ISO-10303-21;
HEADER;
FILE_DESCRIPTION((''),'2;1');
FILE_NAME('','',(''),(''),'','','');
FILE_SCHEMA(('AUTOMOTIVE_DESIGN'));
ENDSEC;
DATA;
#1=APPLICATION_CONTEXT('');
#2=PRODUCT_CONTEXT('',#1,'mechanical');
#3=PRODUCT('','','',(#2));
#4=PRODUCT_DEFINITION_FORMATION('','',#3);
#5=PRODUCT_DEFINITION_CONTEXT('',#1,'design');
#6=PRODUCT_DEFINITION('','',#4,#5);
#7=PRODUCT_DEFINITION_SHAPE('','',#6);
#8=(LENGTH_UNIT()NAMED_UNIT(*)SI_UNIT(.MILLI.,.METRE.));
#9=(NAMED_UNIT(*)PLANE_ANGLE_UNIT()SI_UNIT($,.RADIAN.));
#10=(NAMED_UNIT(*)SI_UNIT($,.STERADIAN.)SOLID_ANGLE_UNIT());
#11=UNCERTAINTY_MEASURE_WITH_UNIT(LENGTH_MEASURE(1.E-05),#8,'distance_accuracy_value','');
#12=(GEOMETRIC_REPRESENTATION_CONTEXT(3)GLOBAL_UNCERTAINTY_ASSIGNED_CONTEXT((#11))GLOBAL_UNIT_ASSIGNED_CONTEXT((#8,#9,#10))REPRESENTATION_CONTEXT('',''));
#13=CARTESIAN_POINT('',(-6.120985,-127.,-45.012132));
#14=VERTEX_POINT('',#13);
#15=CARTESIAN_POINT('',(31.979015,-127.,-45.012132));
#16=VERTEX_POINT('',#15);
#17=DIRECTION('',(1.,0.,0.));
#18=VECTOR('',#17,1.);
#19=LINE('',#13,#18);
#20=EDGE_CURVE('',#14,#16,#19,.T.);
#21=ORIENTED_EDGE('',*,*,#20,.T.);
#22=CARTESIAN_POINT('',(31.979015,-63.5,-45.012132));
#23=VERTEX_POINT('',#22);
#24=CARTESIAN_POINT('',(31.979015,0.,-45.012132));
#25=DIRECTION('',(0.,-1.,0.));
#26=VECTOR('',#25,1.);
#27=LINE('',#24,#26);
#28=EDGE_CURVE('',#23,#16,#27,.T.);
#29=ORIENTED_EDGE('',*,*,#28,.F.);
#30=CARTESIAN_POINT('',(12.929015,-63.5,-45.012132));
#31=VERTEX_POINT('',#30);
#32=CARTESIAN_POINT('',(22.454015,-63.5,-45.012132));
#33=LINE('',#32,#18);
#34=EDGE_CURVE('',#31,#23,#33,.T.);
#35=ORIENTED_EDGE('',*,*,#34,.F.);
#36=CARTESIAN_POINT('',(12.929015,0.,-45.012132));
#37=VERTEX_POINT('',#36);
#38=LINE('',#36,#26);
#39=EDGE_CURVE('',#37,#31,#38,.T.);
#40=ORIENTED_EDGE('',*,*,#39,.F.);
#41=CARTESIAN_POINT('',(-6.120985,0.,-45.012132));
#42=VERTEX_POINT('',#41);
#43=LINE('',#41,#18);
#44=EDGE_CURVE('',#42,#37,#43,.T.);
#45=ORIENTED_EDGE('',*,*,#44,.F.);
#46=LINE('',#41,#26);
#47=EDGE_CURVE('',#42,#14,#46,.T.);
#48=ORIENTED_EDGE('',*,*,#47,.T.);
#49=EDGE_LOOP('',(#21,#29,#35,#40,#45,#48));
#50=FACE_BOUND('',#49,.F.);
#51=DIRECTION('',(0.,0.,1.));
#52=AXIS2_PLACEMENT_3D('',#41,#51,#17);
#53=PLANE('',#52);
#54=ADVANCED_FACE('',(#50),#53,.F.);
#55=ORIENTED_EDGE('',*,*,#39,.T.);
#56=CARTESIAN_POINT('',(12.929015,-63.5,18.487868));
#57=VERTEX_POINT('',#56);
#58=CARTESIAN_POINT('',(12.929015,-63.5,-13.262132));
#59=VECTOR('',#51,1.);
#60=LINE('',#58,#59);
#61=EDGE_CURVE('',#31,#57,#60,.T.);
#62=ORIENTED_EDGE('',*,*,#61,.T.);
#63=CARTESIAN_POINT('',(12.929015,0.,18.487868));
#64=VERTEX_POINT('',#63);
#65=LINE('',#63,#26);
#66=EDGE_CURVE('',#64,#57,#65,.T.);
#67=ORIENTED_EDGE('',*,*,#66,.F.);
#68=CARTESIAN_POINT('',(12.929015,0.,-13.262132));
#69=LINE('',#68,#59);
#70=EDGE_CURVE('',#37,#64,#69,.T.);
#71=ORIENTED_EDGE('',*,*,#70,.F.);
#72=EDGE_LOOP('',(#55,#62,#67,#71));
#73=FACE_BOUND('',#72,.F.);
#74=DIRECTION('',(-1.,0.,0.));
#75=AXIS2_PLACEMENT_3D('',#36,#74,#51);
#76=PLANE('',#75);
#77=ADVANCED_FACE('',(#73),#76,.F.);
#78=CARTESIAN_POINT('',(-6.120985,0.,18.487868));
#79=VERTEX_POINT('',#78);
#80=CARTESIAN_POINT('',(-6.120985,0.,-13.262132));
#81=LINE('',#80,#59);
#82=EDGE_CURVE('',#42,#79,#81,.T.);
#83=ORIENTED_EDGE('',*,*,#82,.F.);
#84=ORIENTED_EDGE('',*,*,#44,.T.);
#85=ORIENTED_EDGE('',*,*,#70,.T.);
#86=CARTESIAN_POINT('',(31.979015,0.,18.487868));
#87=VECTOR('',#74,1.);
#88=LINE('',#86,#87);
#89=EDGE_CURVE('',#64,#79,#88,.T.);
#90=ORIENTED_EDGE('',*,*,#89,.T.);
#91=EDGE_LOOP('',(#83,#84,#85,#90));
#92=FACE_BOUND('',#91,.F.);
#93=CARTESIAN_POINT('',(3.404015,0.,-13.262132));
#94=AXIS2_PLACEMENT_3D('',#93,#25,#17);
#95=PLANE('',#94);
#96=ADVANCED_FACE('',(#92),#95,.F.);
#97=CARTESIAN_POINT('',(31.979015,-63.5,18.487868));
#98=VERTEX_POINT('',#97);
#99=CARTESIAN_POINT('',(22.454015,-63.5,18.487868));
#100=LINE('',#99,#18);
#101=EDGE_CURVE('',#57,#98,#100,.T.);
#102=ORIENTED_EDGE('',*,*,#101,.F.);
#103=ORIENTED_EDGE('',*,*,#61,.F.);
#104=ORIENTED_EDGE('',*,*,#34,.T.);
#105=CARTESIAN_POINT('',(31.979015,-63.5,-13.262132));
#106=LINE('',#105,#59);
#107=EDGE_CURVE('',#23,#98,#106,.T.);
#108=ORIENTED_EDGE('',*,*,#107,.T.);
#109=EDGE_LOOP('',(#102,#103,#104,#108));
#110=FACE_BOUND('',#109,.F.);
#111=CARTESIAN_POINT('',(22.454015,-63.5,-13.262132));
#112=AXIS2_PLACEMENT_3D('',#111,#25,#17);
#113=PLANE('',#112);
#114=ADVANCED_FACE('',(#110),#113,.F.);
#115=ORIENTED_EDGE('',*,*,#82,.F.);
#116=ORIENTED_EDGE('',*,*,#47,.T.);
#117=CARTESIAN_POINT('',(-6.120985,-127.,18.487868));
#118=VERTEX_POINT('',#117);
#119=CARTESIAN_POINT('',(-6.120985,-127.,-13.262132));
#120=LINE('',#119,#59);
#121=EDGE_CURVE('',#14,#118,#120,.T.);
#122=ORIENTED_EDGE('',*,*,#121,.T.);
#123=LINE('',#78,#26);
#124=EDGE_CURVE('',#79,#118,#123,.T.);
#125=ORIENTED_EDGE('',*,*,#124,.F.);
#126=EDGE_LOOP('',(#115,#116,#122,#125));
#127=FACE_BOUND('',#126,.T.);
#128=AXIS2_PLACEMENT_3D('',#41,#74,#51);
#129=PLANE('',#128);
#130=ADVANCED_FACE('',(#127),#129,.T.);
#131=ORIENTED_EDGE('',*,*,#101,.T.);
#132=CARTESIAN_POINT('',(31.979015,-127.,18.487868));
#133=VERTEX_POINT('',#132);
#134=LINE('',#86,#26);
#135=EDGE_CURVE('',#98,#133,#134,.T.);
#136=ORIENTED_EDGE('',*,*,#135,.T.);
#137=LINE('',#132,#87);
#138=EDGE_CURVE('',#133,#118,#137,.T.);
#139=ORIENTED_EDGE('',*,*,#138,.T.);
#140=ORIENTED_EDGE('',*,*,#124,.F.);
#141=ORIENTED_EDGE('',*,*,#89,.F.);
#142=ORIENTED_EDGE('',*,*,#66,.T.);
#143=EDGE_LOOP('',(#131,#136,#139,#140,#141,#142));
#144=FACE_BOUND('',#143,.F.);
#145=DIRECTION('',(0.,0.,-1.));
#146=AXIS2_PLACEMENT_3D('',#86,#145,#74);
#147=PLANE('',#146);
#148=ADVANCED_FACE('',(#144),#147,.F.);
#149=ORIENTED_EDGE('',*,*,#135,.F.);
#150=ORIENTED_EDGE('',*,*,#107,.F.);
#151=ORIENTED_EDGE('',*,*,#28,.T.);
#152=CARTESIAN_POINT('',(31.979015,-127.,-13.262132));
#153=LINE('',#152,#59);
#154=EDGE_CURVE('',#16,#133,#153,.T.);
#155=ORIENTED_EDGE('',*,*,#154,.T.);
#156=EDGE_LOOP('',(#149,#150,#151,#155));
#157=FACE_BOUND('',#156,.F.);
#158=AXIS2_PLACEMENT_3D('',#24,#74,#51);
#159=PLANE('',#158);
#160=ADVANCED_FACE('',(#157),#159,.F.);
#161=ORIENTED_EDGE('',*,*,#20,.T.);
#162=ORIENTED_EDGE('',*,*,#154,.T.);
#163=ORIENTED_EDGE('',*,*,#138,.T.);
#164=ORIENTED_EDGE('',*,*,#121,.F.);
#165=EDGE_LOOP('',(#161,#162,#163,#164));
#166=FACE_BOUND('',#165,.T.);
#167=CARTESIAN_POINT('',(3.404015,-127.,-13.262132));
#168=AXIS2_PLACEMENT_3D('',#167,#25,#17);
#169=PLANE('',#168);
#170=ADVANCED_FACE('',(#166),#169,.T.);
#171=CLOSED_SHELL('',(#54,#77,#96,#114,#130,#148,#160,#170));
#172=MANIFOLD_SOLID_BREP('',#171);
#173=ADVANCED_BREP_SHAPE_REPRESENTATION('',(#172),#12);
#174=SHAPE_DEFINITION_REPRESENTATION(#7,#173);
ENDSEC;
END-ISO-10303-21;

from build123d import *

# Parameters (mm, degrees)
F0_W     = 19.05
F0_H     = 63.5
F1_DEPTH = 127
F2_DEPTH = 63.5


with BuildPart() as f1:
    # F0 (on Front) → F1 (new body)
    with BuildSketch(Plane.XZ):
        with Locations((3.404015, -13.262132)):
            Rectangle(F0_W, F0_H)
        with Locations((22.454015, -13.262132)):
            Rectangle(F0_W, F0_H)
    extrude(amount=F1_DEPTH)

    # F0 (on Front) → F2 (cut)
    with BuildSketch(Plane.XZ):
        with Locations((22.454015, -13.262132)):
            Rectangle(F0_W, F0_H)
    extrude(amount=F2_DEPTH, mode=Mode.SUBTRACT)


solid = f1.part
